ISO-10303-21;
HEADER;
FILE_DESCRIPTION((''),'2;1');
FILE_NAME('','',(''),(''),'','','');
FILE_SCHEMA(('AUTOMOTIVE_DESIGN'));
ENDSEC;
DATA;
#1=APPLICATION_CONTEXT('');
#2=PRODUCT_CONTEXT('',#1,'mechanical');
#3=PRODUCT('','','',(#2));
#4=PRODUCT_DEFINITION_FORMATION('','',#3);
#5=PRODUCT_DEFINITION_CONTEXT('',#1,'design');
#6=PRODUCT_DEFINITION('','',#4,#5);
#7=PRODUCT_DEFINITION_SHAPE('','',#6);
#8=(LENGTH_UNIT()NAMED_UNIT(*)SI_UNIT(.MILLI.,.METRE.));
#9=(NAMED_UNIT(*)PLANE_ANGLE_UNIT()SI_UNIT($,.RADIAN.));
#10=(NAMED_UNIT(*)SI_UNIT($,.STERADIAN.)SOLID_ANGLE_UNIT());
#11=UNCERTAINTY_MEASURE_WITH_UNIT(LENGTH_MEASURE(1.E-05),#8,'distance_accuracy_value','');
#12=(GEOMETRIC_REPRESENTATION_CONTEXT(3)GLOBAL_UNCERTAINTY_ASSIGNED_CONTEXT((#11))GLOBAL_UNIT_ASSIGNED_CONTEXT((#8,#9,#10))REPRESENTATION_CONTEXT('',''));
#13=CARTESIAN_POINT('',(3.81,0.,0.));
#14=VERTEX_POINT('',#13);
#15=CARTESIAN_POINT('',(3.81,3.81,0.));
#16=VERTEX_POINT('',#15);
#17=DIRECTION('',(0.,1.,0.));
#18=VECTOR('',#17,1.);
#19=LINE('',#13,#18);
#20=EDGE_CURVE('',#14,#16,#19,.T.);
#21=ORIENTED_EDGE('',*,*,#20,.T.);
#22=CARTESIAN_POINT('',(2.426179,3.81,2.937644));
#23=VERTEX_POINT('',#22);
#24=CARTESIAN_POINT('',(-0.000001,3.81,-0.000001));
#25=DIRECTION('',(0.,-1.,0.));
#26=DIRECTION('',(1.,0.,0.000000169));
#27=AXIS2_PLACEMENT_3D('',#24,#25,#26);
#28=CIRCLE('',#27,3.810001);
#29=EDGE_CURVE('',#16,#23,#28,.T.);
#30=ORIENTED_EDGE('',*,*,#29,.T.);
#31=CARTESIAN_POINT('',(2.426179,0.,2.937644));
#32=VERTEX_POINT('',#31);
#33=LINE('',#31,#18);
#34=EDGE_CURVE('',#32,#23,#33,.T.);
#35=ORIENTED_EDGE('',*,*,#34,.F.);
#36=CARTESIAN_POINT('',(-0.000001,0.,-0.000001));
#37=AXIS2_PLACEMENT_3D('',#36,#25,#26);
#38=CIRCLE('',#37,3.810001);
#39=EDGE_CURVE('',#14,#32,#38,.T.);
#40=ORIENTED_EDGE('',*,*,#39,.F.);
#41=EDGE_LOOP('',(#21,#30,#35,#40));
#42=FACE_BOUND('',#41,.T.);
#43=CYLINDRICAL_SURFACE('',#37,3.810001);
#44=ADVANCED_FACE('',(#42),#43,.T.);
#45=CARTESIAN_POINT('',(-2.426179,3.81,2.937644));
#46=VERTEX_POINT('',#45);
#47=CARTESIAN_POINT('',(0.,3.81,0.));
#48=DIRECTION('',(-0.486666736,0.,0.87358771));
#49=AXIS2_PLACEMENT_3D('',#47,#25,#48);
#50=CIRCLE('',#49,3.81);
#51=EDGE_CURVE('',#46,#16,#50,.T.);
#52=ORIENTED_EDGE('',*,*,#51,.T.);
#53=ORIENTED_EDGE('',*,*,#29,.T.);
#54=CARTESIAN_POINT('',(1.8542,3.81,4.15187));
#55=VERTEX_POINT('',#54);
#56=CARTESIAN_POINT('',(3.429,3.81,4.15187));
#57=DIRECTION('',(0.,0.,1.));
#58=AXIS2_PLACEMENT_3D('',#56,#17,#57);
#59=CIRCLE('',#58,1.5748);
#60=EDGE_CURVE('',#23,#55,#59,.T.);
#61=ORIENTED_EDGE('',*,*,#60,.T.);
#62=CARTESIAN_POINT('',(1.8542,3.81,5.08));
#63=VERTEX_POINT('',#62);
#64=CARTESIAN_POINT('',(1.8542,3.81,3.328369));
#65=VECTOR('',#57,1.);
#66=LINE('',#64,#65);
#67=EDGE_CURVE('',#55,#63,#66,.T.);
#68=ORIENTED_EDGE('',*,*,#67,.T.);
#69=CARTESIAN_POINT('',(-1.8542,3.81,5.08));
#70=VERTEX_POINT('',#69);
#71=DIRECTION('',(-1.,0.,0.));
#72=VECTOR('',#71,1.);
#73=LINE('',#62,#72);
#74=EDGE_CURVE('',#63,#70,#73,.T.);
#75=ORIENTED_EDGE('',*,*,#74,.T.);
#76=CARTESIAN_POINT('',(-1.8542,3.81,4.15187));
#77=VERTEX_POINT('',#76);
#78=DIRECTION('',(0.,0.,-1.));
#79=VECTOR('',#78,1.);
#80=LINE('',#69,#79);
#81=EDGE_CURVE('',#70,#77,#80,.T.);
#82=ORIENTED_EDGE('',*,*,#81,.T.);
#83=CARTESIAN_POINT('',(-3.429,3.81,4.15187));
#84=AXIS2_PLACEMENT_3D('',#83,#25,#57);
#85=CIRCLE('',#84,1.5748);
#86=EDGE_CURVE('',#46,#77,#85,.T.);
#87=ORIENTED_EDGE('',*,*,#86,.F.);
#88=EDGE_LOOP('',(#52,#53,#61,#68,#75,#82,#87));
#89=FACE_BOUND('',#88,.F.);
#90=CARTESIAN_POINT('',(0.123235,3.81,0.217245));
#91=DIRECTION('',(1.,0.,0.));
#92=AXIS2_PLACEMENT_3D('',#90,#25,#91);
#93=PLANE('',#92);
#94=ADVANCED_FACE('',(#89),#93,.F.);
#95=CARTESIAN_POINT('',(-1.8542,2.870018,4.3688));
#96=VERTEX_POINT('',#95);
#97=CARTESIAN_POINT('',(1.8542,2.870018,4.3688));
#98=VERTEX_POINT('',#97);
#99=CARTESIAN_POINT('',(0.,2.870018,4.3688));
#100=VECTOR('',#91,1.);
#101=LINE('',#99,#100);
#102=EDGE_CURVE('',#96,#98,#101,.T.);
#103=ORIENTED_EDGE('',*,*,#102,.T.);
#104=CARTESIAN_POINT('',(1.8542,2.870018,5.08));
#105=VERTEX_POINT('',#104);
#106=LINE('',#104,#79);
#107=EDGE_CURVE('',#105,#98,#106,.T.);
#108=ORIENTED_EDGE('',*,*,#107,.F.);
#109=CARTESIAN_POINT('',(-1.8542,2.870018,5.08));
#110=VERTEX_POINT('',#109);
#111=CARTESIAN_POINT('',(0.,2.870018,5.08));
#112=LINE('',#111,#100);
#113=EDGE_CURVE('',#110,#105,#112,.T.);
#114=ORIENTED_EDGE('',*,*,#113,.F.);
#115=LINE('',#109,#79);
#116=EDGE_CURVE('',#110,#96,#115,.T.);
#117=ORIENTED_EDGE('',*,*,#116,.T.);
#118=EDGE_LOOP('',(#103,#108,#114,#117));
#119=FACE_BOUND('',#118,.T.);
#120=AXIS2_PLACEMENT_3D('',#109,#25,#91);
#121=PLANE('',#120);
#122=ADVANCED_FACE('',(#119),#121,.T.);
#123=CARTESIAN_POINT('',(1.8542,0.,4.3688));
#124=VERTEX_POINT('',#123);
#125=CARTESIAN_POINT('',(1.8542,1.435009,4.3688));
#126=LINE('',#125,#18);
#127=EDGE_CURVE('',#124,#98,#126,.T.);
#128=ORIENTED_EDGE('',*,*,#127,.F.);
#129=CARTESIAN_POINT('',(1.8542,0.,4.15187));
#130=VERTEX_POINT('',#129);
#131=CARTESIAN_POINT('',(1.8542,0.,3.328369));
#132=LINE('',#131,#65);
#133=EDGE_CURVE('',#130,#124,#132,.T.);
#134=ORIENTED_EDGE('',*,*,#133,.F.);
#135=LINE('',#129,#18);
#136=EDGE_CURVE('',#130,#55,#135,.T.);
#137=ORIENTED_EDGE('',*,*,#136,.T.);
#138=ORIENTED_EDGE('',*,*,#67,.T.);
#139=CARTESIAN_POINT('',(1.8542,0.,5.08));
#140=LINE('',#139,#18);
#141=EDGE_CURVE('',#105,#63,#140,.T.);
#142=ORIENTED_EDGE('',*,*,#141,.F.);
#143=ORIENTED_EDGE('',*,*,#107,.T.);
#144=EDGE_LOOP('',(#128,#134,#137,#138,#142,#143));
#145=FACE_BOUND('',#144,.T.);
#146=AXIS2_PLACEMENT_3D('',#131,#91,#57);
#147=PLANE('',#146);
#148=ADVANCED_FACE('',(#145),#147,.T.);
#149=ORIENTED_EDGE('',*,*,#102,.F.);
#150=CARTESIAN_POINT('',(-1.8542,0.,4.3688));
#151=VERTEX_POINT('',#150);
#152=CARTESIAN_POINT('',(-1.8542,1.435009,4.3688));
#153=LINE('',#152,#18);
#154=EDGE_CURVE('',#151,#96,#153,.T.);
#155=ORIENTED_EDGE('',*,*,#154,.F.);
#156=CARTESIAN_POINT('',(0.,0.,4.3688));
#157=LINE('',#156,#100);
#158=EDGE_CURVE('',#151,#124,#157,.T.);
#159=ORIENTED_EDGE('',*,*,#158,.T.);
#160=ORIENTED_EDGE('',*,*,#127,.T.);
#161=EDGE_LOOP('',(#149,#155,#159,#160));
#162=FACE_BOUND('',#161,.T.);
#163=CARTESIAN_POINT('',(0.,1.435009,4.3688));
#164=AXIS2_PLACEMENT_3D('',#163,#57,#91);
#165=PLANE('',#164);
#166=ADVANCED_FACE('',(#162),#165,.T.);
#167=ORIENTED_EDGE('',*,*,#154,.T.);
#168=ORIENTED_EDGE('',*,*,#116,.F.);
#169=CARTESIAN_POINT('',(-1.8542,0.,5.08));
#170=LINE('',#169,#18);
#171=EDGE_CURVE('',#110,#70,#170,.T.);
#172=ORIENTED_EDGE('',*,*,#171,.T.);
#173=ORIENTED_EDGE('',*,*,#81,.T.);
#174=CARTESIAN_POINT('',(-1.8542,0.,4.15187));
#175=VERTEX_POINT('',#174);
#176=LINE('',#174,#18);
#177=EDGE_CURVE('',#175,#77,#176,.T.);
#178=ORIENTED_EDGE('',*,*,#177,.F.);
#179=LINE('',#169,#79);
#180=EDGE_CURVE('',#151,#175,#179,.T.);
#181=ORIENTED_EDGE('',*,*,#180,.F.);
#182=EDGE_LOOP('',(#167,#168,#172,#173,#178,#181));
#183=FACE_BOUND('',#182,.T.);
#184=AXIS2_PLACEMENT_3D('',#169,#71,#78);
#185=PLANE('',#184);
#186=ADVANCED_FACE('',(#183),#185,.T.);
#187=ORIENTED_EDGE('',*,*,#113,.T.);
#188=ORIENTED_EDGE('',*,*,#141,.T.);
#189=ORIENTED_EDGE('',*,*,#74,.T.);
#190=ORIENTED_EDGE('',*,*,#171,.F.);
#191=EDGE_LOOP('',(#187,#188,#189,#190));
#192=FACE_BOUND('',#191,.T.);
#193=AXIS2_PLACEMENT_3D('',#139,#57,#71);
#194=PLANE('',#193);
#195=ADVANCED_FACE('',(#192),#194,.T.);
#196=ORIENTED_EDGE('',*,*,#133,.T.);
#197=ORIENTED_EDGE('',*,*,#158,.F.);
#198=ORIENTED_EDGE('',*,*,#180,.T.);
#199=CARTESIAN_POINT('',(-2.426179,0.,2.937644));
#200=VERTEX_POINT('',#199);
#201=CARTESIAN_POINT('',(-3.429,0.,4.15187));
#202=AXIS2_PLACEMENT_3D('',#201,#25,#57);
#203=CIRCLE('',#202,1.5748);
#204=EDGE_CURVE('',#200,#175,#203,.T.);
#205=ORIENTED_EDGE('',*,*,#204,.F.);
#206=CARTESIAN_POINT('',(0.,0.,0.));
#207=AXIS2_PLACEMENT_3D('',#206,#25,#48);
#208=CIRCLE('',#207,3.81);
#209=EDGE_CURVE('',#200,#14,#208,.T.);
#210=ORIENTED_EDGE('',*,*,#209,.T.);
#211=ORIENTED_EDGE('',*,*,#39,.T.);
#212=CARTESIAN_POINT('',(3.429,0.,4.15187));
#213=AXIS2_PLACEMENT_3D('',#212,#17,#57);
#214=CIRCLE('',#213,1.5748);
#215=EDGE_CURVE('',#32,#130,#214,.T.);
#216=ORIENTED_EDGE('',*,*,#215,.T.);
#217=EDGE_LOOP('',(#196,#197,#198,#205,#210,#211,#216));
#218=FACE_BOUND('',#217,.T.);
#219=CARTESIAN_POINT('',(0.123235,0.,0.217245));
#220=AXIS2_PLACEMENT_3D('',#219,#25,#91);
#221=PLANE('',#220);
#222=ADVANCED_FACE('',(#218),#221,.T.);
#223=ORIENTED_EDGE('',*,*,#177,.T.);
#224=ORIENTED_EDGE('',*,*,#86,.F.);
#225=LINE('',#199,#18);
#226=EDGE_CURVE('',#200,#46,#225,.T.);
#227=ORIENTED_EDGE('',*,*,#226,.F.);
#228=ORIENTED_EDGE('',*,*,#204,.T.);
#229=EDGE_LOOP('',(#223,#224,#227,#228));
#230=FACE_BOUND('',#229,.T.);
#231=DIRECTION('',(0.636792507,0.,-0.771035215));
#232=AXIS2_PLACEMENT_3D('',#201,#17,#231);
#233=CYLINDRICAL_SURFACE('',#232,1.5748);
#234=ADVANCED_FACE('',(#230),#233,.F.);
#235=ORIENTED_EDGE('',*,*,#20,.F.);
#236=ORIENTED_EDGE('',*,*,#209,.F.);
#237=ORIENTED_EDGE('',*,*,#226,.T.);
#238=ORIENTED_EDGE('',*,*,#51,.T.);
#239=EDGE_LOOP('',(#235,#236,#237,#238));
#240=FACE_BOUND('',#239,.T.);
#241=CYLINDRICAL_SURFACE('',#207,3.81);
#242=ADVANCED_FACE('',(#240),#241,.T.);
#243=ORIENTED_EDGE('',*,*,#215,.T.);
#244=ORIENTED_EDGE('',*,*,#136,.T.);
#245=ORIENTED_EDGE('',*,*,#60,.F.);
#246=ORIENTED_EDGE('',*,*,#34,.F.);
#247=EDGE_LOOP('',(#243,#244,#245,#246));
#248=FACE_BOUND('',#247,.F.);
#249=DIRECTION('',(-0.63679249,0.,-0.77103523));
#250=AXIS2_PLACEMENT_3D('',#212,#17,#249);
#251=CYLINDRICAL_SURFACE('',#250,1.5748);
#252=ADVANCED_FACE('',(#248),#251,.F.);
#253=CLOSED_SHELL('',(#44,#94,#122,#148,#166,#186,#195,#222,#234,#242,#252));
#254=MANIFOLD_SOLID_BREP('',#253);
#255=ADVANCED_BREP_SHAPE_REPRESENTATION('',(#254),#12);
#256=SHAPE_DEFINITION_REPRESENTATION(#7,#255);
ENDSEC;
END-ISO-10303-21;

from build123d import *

# Parameters (mm, degrees)
F1_DEPTH = 3.81
F2_R     = 1.5748
F4_W     = 3.7084
F4_H     = 2.870018
F5_DEPTH = 0.7112


with BuildPart() as f1:
    # F0 (on Front) → F1 (new body)
    with BuildSketch(Plane.XZ):
        with BuildLine():
            ThreePointArc((-1.8542, 3.328369), (-1.930233, -3.284859), (3.81, 0))
            ThreePointArc((3.81, 0), (3.284859, 1.930233), (1.8542, 3.328369))
            ThreePointArc((1.8542, 3.328369), (0.957866, 3.687627), (0, 3.81))
            ThreePointArc((0, 3.81), (-0.957866, 3.687627), (-1.8542, 3.328369))
        make_face()
        with BuildLine():
            ThreePointArc((0, 3.81), (0.957866, 3.687627), (1.8542, 3.328369))
            Line((1.8542, 3.328369), (1.8542, 5.08))
            Line((1.8542, 5.08), (0, 5.08))
            Line((0, 5.08), (0, 3.81))
        make_face()
        with BuildLine():
            Line((-1.8542, 5.08), (-1.8542, 3.328369))
            ThreePointArc((-1.8542, 3.328369), (-0.957866, 3.687627), (0, 3.81))
            Line((0, 3.81), (0, 5.08))
            Line((0, 5.08), (-1.8542, 5.08))
        make_face()
    extrude(amount=-F1_DEPTH)

    # F2
    f2_edges = [f1.edges().sort_by_distance(p)[0] for p in [
        (1.8542, 1.905, 3.328369),
        (-1.8542, 1.905, 3.328369),
    ]]
    fillet(f2_edges, radius=F2_R)

    # F4 (on face) → F5 (cut)
    with BuildSketch(Plane.XY.offset(5.08)):
        with Locations((0, 1.435009)):
            Rectangle(F4_W, F4_H)
    extrude(amount=-F5_DEPTH, mode=Mode.SUBTRACT)


solid = f1.part
